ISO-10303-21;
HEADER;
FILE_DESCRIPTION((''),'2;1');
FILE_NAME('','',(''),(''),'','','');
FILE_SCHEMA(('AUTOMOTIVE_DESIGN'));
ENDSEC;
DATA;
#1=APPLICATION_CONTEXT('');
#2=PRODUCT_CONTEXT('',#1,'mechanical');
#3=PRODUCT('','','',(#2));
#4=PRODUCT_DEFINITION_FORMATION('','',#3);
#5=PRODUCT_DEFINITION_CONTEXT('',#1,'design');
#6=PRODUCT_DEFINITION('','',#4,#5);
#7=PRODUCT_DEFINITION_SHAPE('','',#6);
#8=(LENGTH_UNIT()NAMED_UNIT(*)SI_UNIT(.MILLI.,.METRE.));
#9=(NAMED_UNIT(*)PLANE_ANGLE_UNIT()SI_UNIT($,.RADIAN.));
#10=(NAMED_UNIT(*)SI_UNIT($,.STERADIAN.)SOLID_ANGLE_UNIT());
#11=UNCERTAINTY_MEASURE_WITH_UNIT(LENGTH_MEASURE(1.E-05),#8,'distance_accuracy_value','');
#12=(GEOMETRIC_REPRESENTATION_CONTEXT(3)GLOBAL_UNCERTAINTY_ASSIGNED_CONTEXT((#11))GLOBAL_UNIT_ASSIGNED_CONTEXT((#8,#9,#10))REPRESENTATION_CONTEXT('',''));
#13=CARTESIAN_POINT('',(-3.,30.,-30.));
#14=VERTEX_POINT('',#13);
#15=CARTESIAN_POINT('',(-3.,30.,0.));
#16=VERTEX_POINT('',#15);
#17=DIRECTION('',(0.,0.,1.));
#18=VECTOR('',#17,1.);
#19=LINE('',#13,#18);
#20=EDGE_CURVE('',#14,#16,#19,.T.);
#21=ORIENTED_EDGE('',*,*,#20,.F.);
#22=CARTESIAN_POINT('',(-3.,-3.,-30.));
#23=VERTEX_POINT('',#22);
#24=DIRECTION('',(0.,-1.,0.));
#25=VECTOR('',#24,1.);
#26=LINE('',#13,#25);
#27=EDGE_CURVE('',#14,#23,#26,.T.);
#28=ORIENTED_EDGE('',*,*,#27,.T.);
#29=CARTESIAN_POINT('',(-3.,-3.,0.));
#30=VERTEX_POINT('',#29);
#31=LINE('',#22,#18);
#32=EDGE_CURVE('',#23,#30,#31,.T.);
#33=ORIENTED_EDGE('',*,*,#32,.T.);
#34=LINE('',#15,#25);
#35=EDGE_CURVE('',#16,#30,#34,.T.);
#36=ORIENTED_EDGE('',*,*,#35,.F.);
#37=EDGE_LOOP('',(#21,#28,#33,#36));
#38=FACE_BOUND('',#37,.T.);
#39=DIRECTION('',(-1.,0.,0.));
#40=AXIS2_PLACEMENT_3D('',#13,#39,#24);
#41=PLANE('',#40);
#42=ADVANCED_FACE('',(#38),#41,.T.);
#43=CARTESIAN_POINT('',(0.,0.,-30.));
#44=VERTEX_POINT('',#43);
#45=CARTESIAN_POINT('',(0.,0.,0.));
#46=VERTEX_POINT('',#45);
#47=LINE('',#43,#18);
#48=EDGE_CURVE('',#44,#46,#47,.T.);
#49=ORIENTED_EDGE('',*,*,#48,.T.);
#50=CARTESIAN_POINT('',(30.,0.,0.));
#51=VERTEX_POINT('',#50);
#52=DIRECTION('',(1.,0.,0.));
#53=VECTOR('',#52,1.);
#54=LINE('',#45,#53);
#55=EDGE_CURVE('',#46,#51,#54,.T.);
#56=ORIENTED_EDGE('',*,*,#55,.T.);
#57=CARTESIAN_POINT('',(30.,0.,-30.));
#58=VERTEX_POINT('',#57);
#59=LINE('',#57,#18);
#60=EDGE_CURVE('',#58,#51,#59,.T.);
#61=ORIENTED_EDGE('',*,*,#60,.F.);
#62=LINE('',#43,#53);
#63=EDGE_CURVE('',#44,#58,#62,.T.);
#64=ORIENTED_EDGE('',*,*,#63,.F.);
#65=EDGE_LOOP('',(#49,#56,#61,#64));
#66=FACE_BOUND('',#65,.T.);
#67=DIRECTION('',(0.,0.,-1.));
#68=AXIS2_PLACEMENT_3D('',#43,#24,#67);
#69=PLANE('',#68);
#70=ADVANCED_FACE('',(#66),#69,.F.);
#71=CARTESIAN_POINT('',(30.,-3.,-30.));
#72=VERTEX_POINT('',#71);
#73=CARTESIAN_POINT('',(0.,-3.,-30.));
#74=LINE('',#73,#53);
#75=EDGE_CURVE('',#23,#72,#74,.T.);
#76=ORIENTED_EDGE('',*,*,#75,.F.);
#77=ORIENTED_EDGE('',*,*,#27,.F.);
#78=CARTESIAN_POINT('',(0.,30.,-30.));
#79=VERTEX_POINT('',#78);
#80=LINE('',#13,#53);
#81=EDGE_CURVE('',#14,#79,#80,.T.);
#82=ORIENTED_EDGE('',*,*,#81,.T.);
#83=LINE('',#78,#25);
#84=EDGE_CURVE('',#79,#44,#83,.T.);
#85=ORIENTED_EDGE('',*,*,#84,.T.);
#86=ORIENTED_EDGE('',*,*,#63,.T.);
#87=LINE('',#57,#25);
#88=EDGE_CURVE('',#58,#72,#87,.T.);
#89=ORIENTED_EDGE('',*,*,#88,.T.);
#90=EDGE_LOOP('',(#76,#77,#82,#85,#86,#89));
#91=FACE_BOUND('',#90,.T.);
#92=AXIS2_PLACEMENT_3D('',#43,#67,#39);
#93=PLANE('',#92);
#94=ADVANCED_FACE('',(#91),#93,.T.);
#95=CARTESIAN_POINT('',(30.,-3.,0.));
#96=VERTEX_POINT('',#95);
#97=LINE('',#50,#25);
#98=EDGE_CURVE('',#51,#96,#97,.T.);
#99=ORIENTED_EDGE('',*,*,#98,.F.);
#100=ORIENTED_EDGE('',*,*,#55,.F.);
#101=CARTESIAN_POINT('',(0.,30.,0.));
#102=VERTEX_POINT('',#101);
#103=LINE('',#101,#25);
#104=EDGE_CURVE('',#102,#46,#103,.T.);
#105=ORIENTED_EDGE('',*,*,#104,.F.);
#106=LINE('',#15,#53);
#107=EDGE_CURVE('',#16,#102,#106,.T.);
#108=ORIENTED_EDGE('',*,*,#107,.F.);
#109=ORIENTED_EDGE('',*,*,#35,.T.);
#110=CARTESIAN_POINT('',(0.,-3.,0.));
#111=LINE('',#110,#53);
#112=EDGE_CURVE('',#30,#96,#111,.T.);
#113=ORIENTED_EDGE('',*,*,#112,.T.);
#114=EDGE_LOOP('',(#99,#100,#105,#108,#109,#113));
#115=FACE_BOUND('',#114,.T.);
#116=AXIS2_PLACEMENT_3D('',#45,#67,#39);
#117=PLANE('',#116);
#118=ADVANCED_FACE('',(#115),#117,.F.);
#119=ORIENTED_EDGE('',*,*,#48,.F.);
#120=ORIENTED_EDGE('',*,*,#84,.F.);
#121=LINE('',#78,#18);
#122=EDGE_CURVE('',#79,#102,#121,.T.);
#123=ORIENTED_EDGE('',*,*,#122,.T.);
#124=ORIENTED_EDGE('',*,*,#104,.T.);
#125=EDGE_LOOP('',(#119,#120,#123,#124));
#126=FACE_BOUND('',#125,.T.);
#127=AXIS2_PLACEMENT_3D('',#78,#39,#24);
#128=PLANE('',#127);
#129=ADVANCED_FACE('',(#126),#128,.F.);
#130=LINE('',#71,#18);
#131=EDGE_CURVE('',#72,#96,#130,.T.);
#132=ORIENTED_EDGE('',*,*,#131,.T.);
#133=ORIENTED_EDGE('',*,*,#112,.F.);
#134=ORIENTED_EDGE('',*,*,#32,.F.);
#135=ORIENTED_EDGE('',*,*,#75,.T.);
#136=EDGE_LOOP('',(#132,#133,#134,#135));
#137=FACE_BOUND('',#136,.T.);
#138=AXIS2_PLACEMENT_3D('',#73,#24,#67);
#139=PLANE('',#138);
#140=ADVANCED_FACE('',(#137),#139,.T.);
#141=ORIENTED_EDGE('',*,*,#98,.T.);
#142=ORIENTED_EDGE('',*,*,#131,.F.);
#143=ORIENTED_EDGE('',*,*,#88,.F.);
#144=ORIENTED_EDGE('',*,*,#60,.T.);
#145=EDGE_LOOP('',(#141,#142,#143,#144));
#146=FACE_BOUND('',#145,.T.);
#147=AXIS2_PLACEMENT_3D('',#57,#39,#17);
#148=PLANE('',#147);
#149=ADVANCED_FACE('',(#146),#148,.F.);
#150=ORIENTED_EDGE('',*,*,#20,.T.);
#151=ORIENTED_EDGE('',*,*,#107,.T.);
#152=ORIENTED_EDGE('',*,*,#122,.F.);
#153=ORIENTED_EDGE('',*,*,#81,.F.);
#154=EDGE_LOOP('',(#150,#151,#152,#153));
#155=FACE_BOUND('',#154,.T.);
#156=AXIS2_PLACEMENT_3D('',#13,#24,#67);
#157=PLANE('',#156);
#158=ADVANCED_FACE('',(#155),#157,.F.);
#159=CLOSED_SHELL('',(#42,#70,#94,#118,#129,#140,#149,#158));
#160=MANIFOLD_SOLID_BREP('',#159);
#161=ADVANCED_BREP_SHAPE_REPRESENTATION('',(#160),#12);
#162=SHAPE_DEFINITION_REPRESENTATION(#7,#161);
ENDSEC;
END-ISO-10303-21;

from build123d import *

# Parameters (mm, degrees)
EXTRUDE_1_DEPTH = 30


with BuildPart() as part:
    # Эскиз1 → Вытянуть-Тонкостенный1 (new body)
    with BuildSketch(Plane.XY):
        Polygon((0, 30), (0, 0), (30, 0), (30, -3), (-3, -3), (-3, 30), align=None)
    extrude(amount=-EXTRUDE_1_DEPTH)


solid = part.part
